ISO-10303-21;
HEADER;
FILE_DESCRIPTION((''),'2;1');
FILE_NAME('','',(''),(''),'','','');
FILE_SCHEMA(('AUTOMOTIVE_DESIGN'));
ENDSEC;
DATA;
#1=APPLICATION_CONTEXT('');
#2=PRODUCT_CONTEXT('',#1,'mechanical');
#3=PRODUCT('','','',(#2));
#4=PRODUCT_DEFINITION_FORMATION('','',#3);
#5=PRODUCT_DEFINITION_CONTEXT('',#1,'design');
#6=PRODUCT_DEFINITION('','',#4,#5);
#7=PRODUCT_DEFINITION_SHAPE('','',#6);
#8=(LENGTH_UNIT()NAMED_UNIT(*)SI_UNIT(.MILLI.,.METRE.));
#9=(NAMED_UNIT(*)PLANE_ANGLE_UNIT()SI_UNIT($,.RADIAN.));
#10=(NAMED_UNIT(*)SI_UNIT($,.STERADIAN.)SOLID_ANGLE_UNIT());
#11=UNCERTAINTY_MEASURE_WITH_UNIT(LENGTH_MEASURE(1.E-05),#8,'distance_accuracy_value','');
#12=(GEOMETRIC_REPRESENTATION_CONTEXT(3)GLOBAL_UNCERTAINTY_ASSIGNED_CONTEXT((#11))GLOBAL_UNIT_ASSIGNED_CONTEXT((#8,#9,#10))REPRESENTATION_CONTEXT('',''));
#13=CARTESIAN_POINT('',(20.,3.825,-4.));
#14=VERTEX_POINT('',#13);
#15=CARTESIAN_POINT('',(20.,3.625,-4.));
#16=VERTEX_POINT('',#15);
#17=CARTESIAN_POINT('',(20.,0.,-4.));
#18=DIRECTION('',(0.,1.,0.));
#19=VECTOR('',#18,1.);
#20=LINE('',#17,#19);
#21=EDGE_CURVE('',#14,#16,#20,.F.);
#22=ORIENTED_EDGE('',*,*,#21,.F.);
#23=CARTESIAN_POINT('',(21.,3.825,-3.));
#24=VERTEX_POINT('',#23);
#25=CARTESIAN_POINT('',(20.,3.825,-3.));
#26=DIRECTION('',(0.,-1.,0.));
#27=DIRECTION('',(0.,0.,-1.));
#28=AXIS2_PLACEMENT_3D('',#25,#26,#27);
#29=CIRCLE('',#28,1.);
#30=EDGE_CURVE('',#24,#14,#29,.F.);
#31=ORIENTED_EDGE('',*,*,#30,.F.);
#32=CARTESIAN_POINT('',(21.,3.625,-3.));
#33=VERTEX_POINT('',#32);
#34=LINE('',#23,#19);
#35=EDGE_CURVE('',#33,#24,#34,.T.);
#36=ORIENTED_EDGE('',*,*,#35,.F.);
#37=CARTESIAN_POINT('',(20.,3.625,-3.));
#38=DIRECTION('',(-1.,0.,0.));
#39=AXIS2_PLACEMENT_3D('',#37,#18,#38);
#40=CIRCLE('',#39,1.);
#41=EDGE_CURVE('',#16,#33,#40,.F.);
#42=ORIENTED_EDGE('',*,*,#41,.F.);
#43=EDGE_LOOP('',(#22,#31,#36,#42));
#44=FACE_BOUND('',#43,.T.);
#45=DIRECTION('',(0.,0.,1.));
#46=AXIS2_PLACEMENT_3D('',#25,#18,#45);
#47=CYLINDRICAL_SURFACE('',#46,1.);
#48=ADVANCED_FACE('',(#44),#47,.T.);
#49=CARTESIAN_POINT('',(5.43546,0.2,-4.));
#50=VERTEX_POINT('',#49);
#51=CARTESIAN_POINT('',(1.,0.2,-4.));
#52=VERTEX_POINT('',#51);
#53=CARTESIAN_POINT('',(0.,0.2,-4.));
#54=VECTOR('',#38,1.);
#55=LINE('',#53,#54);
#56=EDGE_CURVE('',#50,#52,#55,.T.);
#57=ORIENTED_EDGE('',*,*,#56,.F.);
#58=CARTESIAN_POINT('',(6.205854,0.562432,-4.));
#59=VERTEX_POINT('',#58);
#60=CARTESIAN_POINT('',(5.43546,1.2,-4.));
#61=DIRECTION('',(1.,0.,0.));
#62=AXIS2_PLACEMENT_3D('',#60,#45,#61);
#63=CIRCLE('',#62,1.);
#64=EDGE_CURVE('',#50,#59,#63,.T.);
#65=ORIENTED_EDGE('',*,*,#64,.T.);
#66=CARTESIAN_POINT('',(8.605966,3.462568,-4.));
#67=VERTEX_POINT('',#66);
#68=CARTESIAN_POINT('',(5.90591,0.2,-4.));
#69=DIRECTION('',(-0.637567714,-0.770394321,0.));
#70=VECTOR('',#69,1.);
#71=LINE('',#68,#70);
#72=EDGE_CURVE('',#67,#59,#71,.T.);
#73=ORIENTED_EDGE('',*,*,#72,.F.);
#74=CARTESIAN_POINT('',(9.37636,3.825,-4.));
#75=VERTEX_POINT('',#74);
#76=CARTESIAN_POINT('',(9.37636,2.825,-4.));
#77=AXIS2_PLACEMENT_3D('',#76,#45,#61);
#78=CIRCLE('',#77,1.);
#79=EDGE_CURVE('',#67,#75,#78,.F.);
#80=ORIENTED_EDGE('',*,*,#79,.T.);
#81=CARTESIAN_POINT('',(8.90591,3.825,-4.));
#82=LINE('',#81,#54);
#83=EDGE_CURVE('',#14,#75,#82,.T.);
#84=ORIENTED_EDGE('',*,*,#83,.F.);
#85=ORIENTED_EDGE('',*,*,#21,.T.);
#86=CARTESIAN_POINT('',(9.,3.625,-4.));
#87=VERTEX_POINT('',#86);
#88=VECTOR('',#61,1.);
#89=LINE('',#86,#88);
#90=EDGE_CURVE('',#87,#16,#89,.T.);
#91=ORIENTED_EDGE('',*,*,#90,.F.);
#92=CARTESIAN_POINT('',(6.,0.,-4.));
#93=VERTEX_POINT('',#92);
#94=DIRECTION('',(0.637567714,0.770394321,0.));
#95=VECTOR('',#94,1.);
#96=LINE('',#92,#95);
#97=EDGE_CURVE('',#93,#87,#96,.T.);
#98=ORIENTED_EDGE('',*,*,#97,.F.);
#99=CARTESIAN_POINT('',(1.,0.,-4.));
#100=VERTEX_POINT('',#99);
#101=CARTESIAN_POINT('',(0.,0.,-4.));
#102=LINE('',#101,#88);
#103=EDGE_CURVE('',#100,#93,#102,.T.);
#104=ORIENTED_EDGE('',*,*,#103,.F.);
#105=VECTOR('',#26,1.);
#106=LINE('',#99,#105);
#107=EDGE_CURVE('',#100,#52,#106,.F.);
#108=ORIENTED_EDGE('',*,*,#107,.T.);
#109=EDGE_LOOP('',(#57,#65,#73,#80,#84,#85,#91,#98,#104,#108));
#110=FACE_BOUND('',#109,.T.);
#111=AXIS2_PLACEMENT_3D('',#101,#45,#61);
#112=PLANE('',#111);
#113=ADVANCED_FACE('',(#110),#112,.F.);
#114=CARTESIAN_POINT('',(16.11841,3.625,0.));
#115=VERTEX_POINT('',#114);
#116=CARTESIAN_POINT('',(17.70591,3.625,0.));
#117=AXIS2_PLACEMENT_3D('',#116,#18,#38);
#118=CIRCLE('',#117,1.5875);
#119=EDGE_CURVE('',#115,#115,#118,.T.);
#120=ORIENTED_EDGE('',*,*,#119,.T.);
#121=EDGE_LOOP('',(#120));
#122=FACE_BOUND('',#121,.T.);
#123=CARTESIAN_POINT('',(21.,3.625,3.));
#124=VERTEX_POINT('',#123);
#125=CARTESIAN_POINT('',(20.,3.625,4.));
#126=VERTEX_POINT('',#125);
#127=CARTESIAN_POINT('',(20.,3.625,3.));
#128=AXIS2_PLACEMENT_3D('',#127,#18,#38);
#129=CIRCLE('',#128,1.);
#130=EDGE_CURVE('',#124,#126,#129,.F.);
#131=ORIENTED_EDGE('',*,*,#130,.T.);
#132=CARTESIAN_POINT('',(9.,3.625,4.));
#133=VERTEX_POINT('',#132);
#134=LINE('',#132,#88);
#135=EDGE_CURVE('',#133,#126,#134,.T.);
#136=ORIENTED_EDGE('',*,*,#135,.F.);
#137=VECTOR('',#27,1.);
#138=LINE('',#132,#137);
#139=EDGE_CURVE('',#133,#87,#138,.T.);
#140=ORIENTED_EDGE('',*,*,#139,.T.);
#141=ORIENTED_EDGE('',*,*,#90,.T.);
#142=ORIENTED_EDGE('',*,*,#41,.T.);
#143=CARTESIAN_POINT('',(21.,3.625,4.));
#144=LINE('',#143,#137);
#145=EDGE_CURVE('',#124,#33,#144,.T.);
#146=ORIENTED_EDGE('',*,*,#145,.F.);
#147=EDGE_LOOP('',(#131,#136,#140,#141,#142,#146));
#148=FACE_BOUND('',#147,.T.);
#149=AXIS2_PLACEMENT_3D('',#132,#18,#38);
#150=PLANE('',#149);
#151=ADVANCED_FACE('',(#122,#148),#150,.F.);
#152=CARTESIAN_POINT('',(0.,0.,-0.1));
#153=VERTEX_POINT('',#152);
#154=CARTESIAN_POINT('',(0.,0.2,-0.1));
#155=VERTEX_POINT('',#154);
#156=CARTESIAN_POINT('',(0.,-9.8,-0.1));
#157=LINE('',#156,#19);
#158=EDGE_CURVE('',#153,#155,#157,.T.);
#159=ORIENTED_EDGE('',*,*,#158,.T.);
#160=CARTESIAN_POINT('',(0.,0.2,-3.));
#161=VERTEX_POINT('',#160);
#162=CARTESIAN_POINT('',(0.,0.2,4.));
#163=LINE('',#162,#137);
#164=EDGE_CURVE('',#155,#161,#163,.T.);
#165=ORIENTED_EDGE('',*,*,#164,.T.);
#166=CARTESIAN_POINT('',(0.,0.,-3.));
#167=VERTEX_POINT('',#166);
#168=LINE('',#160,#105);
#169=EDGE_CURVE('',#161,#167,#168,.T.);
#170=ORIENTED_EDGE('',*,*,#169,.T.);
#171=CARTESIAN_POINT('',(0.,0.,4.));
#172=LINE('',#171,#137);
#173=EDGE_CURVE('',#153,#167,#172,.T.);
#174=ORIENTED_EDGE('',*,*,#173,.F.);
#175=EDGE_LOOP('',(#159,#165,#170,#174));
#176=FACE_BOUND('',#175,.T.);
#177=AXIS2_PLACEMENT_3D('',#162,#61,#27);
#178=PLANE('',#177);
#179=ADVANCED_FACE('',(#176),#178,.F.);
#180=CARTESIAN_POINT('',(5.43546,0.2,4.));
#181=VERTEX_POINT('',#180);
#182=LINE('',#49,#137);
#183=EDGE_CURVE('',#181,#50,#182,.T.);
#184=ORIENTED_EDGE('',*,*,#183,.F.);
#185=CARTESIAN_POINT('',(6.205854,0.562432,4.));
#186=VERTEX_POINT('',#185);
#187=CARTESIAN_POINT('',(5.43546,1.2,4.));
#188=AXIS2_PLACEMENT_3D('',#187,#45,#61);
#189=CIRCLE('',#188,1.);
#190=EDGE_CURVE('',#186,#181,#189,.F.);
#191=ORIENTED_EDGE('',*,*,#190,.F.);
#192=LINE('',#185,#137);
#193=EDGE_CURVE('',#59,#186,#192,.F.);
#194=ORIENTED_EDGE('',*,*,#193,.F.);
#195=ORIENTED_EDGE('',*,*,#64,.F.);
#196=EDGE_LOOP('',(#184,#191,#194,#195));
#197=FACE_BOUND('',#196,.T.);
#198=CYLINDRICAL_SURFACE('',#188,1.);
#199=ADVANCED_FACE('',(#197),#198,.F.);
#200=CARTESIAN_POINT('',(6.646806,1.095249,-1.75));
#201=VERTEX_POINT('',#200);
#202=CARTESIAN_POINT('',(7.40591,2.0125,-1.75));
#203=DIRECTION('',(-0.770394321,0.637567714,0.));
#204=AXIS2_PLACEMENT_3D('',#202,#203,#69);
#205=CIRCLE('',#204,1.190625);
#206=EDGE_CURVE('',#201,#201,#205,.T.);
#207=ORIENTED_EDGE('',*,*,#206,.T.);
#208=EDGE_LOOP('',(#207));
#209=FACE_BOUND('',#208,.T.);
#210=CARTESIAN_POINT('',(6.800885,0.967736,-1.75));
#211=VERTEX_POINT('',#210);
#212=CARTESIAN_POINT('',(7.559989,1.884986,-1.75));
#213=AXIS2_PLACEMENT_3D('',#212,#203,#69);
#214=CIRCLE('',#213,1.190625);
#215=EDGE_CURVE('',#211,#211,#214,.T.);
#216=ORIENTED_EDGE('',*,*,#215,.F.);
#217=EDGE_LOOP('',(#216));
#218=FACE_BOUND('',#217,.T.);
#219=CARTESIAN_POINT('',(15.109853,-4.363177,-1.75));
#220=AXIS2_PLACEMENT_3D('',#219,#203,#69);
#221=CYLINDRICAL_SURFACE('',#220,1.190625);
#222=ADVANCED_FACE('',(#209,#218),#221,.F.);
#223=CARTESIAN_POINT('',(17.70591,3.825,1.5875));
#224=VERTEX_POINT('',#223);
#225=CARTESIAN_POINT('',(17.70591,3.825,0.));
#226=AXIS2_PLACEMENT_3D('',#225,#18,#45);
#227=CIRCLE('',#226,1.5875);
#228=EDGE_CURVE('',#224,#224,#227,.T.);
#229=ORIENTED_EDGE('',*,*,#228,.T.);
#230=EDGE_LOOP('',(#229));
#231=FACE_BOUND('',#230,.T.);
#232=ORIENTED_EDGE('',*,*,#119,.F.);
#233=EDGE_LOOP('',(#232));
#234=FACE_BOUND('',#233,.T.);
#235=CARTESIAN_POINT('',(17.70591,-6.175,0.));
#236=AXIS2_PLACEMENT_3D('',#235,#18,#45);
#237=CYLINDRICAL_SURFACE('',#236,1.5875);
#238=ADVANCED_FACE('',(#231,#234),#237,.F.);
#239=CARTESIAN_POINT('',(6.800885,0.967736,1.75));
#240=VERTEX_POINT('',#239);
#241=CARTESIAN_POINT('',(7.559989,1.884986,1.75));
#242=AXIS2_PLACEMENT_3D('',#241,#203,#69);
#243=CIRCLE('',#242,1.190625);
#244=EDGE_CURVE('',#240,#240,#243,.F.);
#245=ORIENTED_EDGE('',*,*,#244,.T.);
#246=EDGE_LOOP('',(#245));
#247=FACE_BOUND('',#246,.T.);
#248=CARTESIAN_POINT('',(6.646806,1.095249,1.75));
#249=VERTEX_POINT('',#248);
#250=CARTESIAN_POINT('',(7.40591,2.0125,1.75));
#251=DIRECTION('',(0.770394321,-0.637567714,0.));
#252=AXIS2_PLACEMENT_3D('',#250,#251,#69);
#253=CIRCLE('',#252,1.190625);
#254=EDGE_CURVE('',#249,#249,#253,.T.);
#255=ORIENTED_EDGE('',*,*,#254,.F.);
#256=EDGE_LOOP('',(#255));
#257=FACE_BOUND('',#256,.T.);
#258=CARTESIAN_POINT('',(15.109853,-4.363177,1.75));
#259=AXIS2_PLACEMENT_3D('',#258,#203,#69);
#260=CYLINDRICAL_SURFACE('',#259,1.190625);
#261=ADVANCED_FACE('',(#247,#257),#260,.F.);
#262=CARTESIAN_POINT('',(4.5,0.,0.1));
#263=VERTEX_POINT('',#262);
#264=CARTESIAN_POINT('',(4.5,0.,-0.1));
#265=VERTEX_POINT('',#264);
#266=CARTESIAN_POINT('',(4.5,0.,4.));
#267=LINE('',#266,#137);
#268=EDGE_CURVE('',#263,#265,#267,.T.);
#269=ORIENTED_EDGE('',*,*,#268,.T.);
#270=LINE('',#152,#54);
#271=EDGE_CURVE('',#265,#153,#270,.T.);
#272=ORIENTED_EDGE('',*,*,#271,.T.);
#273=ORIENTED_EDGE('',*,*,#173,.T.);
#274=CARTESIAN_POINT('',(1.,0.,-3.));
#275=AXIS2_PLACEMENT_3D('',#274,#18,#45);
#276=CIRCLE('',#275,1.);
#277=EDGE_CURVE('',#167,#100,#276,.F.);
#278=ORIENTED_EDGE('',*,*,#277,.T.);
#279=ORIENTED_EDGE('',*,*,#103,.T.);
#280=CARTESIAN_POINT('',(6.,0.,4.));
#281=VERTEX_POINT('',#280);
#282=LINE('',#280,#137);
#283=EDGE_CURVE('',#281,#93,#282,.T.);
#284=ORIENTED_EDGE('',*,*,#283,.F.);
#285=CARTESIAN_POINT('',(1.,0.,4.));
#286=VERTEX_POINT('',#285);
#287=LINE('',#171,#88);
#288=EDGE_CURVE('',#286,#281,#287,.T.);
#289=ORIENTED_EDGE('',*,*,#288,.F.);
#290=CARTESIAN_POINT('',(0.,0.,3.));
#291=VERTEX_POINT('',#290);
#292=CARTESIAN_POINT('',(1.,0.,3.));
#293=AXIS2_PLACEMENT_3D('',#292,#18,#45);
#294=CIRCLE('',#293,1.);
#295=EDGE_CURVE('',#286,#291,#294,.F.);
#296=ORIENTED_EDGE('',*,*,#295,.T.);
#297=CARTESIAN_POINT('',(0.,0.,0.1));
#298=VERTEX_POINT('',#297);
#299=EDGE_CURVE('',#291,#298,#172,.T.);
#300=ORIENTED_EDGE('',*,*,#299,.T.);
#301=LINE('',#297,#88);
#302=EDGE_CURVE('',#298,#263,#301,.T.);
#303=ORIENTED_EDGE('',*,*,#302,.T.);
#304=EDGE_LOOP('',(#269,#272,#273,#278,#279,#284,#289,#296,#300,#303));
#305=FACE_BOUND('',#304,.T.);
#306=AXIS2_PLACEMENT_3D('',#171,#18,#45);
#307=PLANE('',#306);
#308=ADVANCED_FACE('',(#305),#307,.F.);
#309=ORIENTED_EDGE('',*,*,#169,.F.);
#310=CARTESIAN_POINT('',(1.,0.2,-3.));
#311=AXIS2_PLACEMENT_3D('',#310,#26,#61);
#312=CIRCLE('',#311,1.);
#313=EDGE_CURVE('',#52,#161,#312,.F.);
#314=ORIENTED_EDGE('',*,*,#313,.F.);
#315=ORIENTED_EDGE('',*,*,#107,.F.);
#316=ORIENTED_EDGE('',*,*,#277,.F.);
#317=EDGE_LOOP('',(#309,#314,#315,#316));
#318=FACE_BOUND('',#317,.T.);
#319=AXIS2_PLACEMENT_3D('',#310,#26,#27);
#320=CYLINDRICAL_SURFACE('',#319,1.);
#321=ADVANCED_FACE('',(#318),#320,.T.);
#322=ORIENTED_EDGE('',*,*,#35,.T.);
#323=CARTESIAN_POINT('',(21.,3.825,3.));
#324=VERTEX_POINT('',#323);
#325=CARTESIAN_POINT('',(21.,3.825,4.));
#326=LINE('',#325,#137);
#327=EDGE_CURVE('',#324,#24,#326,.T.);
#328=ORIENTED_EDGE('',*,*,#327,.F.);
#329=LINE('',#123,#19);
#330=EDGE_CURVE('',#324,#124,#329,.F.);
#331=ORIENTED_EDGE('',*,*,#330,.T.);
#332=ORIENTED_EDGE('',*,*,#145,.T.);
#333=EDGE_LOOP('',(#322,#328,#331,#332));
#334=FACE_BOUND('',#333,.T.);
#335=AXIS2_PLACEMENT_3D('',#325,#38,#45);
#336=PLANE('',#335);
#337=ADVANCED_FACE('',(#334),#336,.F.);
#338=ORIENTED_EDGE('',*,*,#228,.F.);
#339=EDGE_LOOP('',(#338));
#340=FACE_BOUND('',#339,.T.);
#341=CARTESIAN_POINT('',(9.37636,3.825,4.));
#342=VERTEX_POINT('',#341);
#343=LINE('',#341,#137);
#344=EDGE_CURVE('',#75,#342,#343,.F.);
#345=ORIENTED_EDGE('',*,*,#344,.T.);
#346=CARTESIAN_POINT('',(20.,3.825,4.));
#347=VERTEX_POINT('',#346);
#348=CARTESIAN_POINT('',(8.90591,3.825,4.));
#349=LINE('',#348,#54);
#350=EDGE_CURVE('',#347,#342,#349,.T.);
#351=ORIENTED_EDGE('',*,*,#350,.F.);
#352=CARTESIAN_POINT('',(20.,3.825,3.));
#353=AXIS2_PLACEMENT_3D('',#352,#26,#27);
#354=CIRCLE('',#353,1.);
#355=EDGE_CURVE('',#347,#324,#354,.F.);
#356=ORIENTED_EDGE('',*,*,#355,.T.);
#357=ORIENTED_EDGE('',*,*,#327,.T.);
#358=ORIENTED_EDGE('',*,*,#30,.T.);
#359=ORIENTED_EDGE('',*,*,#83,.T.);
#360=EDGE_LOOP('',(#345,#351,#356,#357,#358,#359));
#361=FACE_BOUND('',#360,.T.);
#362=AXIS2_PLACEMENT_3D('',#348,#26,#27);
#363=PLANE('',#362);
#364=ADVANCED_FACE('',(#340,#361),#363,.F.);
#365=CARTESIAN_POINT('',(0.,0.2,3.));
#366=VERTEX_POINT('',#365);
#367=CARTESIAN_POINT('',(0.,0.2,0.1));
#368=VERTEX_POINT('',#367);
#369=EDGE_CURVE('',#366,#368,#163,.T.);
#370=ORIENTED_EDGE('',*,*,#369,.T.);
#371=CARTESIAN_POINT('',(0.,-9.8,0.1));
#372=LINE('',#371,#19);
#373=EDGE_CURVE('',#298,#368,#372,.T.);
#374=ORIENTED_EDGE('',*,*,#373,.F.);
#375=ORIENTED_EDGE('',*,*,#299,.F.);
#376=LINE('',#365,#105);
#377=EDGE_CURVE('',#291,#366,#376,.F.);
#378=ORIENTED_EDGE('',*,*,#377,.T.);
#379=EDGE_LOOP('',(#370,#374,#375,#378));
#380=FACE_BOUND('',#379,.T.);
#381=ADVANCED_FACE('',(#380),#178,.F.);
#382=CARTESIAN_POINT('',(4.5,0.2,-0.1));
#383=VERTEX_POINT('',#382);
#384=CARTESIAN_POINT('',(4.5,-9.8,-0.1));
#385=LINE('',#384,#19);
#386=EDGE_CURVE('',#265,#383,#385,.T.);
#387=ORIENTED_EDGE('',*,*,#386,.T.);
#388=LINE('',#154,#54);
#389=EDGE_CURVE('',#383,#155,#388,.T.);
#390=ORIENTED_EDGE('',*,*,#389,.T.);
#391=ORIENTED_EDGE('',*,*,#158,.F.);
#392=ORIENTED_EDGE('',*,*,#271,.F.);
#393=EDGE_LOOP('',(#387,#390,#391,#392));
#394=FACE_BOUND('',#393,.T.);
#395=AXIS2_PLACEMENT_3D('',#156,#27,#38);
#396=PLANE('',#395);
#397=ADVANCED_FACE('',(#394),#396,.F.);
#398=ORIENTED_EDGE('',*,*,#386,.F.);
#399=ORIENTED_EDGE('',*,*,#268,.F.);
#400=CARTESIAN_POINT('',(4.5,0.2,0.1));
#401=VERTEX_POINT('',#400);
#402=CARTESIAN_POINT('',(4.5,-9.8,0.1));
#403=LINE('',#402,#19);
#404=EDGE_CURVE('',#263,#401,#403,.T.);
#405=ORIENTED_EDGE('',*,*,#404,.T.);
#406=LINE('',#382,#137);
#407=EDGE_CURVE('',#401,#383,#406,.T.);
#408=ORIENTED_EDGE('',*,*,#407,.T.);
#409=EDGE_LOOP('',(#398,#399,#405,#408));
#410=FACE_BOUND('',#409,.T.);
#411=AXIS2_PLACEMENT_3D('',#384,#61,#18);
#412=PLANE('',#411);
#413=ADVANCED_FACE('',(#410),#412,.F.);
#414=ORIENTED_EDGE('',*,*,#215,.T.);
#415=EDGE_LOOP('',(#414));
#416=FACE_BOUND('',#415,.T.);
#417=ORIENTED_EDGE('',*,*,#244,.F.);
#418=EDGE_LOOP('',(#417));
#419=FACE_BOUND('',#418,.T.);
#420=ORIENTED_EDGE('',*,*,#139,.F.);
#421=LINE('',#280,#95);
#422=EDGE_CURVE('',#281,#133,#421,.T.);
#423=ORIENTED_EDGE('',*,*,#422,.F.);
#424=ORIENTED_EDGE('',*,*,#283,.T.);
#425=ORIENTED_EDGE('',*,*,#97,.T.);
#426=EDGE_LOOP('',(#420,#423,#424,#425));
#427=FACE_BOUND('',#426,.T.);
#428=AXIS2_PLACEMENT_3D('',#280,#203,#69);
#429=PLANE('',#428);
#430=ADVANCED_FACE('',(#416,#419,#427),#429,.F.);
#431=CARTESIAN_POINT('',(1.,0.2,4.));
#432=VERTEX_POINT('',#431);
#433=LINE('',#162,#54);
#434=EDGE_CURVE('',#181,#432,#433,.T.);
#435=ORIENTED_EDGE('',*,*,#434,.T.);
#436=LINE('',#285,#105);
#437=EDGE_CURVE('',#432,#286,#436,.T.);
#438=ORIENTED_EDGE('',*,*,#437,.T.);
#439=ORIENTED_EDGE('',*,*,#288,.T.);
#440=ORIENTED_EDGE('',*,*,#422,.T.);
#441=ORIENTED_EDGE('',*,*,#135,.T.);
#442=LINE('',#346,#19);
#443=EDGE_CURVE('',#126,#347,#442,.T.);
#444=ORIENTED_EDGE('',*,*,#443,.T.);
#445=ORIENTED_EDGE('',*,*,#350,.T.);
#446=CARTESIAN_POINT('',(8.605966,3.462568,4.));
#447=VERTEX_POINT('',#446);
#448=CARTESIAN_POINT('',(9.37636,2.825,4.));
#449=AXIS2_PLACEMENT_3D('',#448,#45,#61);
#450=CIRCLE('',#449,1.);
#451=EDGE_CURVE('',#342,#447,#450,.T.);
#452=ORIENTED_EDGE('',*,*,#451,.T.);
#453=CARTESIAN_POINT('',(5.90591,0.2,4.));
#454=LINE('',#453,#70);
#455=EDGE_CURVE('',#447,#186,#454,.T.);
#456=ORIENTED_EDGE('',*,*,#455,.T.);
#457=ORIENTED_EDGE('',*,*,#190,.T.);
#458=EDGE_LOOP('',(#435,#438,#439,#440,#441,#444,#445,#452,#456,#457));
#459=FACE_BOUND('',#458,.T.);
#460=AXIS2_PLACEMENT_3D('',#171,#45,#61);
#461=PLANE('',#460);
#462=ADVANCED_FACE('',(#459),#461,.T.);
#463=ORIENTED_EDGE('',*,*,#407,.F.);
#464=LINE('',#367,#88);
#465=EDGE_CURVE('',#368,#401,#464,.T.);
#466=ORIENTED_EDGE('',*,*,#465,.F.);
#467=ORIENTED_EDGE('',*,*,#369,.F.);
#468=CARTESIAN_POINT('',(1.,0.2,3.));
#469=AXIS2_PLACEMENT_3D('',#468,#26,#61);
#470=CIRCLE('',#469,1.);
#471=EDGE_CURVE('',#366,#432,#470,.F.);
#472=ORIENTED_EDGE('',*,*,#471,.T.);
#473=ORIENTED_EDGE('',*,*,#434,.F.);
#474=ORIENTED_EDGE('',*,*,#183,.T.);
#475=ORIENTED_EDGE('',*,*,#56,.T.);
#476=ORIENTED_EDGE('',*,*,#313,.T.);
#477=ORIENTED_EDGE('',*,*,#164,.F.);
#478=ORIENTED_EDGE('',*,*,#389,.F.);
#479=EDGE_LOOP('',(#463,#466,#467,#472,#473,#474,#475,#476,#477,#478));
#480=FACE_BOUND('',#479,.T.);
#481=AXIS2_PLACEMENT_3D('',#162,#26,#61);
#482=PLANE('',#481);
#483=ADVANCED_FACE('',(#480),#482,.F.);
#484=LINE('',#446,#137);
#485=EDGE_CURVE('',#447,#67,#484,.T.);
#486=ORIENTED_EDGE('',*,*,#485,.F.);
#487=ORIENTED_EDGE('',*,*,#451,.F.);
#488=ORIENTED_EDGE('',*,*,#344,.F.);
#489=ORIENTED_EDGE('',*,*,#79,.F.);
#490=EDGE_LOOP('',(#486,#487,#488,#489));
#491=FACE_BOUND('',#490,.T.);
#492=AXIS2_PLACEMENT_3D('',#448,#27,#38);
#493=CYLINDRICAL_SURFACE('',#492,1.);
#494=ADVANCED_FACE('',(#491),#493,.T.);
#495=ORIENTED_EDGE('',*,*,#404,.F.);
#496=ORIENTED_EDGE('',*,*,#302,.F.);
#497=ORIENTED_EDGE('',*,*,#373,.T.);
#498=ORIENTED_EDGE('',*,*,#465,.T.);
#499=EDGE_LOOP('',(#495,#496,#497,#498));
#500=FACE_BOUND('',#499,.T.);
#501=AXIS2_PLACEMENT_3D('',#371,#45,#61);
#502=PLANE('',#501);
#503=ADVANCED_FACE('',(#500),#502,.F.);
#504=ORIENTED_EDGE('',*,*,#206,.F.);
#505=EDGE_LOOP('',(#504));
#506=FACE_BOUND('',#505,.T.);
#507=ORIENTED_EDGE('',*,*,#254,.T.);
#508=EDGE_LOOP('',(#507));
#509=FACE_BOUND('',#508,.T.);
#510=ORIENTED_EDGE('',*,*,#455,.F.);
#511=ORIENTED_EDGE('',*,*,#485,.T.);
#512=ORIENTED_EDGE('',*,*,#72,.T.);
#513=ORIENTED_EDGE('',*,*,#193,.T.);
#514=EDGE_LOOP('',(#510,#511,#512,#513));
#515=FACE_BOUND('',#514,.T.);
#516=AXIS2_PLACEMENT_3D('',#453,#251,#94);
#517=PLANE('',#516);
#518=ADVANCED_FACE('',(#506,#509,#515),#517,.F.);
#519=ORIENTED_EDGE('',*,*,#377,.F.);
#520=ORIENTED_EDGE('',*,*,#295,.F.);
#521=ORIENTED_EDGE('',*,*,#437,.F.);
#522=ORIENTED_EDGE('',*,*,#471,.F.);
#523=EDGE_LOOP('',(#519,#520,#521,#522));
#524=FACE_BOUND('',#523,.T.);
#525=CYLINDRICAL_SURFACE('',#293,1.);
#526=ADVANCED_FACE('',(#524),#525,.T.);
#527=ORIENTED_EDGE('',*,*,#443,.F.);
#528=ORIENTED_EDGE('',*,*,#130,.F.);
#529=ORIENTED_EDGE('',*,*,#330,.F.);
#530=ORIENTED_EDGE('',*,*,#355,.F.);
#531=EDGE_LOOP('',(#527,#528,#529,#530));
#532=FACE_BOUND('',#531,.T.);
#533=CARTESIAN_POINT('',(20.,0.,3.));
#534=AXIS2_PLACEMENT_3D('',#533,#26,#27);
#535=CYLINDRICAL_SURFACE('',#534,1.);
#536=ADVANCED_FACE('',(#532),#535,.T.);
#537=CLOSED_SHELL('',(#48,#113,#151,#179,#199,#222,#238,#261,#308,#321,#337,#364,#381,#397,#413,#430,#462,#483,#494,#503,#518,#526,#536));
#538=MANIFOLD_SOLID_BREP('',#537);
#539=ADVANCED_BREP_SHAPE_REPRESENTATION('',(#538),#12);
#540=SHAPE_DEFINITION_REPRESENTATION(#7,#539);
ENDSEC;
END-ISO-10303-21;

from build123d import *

# Parameters (mm, degrees)
BOSS_EXTRUDE1_DEPTH = 4
SKETCH2_R           = 1.5875
CUT_EXTRUDE1_DEPTH  = 10
FILLET1_R           = 1
SKETCH3_W           = 4.5
SKETCH3_H           = 0.2
CUT_EXTRUDE2_DEPTH  = 10
FILLET2_R           = 1
SKETCH4_R           = 1.190625
CUT_EXTRUDE3_DEPTH  = 10


with BuildPart() as part:
    # Sketch1 → Boss-Extrude1 (new body, symmetric)
    with BuildSketch(Plane.XY):
        Polygon((0, 0), (6, 0), (9, 3.625), (21, 3.625), (21, 3.825), (8.905909928, 3.825), (5.905909928, 0.2), (0, 0.2), align=None)
    extrude(amount=BOSS_EXTRUDE1_DEPTH, both=True)

    # Sketch2 → Cut-Extrude1 (cut)
    with BuildSketch(Plane(origin=(0, 3.825, 0), x_dir=(1, 0, 0), z_dir=(0, 1, 0))):
        with Locations((17.705909928, 0)):
            Circle(SKETCH2_R)
    extrude(amount=-CUT_EXTRUDE1_DEPTH, mode=Mode.SUBTRACT)

    # Fillet1
    fillet1_edges = [part.edges().sort_by_distance(p)[0] for p in [
        (0, 0.1, -4),
        (21, 3.725, 4),
        (0, 0.1, 4),
        (21, 3.725, -4),
    ]]
    fillet(fillet1_edges, radius=FILLET1_R)

    # Sketch3 → Cut-Extrude2 (cut)
    with BuildSketch(Plane(origin=(0, 0.2, 0), x_dir=(1, 0, 0), z_dir=(0, 1, 0))):
        with Locations((2.25, 0)):
            Rectangle(SKETCH3_W, SKETCH3_H)
    extrude(amount=-CUT_EXTRUDE2_DEPTH, mode=Mode.SUBTRACT)

    # Fillet2
    fillet2_edges = [part.edges().sort_by_distance(p)[0] for p in [
        (5.905909928, 0.2, 0),
        (8.905909928, 3.825, 0),
    ]]
    fillet(fillet2_edges, radius=FILLET2_R)

    # Sketch4 → Cut-Extrude3 (cut)
    with BuildSketch(Plane(origin=(3.406965596, -2.819557735, 0), x_dir=(0, 0, 1), z_dir=(-0.770394321, 0.637567714, 0))):
        with Locations((-1.75, 6.272187634)):
            Circle(SKETCH4_R)
    cut_extrude3 = extrude(amount=-CUT_EXTRUDE3_DEPTH, mode=Mode.SUBTRACT)

    # Mirror1: Cut-Extrude3 across plane
    add(cut_extrude3.mirror(Plane.XY), mode=Mode.SUBTRACT)


solid = part.part
